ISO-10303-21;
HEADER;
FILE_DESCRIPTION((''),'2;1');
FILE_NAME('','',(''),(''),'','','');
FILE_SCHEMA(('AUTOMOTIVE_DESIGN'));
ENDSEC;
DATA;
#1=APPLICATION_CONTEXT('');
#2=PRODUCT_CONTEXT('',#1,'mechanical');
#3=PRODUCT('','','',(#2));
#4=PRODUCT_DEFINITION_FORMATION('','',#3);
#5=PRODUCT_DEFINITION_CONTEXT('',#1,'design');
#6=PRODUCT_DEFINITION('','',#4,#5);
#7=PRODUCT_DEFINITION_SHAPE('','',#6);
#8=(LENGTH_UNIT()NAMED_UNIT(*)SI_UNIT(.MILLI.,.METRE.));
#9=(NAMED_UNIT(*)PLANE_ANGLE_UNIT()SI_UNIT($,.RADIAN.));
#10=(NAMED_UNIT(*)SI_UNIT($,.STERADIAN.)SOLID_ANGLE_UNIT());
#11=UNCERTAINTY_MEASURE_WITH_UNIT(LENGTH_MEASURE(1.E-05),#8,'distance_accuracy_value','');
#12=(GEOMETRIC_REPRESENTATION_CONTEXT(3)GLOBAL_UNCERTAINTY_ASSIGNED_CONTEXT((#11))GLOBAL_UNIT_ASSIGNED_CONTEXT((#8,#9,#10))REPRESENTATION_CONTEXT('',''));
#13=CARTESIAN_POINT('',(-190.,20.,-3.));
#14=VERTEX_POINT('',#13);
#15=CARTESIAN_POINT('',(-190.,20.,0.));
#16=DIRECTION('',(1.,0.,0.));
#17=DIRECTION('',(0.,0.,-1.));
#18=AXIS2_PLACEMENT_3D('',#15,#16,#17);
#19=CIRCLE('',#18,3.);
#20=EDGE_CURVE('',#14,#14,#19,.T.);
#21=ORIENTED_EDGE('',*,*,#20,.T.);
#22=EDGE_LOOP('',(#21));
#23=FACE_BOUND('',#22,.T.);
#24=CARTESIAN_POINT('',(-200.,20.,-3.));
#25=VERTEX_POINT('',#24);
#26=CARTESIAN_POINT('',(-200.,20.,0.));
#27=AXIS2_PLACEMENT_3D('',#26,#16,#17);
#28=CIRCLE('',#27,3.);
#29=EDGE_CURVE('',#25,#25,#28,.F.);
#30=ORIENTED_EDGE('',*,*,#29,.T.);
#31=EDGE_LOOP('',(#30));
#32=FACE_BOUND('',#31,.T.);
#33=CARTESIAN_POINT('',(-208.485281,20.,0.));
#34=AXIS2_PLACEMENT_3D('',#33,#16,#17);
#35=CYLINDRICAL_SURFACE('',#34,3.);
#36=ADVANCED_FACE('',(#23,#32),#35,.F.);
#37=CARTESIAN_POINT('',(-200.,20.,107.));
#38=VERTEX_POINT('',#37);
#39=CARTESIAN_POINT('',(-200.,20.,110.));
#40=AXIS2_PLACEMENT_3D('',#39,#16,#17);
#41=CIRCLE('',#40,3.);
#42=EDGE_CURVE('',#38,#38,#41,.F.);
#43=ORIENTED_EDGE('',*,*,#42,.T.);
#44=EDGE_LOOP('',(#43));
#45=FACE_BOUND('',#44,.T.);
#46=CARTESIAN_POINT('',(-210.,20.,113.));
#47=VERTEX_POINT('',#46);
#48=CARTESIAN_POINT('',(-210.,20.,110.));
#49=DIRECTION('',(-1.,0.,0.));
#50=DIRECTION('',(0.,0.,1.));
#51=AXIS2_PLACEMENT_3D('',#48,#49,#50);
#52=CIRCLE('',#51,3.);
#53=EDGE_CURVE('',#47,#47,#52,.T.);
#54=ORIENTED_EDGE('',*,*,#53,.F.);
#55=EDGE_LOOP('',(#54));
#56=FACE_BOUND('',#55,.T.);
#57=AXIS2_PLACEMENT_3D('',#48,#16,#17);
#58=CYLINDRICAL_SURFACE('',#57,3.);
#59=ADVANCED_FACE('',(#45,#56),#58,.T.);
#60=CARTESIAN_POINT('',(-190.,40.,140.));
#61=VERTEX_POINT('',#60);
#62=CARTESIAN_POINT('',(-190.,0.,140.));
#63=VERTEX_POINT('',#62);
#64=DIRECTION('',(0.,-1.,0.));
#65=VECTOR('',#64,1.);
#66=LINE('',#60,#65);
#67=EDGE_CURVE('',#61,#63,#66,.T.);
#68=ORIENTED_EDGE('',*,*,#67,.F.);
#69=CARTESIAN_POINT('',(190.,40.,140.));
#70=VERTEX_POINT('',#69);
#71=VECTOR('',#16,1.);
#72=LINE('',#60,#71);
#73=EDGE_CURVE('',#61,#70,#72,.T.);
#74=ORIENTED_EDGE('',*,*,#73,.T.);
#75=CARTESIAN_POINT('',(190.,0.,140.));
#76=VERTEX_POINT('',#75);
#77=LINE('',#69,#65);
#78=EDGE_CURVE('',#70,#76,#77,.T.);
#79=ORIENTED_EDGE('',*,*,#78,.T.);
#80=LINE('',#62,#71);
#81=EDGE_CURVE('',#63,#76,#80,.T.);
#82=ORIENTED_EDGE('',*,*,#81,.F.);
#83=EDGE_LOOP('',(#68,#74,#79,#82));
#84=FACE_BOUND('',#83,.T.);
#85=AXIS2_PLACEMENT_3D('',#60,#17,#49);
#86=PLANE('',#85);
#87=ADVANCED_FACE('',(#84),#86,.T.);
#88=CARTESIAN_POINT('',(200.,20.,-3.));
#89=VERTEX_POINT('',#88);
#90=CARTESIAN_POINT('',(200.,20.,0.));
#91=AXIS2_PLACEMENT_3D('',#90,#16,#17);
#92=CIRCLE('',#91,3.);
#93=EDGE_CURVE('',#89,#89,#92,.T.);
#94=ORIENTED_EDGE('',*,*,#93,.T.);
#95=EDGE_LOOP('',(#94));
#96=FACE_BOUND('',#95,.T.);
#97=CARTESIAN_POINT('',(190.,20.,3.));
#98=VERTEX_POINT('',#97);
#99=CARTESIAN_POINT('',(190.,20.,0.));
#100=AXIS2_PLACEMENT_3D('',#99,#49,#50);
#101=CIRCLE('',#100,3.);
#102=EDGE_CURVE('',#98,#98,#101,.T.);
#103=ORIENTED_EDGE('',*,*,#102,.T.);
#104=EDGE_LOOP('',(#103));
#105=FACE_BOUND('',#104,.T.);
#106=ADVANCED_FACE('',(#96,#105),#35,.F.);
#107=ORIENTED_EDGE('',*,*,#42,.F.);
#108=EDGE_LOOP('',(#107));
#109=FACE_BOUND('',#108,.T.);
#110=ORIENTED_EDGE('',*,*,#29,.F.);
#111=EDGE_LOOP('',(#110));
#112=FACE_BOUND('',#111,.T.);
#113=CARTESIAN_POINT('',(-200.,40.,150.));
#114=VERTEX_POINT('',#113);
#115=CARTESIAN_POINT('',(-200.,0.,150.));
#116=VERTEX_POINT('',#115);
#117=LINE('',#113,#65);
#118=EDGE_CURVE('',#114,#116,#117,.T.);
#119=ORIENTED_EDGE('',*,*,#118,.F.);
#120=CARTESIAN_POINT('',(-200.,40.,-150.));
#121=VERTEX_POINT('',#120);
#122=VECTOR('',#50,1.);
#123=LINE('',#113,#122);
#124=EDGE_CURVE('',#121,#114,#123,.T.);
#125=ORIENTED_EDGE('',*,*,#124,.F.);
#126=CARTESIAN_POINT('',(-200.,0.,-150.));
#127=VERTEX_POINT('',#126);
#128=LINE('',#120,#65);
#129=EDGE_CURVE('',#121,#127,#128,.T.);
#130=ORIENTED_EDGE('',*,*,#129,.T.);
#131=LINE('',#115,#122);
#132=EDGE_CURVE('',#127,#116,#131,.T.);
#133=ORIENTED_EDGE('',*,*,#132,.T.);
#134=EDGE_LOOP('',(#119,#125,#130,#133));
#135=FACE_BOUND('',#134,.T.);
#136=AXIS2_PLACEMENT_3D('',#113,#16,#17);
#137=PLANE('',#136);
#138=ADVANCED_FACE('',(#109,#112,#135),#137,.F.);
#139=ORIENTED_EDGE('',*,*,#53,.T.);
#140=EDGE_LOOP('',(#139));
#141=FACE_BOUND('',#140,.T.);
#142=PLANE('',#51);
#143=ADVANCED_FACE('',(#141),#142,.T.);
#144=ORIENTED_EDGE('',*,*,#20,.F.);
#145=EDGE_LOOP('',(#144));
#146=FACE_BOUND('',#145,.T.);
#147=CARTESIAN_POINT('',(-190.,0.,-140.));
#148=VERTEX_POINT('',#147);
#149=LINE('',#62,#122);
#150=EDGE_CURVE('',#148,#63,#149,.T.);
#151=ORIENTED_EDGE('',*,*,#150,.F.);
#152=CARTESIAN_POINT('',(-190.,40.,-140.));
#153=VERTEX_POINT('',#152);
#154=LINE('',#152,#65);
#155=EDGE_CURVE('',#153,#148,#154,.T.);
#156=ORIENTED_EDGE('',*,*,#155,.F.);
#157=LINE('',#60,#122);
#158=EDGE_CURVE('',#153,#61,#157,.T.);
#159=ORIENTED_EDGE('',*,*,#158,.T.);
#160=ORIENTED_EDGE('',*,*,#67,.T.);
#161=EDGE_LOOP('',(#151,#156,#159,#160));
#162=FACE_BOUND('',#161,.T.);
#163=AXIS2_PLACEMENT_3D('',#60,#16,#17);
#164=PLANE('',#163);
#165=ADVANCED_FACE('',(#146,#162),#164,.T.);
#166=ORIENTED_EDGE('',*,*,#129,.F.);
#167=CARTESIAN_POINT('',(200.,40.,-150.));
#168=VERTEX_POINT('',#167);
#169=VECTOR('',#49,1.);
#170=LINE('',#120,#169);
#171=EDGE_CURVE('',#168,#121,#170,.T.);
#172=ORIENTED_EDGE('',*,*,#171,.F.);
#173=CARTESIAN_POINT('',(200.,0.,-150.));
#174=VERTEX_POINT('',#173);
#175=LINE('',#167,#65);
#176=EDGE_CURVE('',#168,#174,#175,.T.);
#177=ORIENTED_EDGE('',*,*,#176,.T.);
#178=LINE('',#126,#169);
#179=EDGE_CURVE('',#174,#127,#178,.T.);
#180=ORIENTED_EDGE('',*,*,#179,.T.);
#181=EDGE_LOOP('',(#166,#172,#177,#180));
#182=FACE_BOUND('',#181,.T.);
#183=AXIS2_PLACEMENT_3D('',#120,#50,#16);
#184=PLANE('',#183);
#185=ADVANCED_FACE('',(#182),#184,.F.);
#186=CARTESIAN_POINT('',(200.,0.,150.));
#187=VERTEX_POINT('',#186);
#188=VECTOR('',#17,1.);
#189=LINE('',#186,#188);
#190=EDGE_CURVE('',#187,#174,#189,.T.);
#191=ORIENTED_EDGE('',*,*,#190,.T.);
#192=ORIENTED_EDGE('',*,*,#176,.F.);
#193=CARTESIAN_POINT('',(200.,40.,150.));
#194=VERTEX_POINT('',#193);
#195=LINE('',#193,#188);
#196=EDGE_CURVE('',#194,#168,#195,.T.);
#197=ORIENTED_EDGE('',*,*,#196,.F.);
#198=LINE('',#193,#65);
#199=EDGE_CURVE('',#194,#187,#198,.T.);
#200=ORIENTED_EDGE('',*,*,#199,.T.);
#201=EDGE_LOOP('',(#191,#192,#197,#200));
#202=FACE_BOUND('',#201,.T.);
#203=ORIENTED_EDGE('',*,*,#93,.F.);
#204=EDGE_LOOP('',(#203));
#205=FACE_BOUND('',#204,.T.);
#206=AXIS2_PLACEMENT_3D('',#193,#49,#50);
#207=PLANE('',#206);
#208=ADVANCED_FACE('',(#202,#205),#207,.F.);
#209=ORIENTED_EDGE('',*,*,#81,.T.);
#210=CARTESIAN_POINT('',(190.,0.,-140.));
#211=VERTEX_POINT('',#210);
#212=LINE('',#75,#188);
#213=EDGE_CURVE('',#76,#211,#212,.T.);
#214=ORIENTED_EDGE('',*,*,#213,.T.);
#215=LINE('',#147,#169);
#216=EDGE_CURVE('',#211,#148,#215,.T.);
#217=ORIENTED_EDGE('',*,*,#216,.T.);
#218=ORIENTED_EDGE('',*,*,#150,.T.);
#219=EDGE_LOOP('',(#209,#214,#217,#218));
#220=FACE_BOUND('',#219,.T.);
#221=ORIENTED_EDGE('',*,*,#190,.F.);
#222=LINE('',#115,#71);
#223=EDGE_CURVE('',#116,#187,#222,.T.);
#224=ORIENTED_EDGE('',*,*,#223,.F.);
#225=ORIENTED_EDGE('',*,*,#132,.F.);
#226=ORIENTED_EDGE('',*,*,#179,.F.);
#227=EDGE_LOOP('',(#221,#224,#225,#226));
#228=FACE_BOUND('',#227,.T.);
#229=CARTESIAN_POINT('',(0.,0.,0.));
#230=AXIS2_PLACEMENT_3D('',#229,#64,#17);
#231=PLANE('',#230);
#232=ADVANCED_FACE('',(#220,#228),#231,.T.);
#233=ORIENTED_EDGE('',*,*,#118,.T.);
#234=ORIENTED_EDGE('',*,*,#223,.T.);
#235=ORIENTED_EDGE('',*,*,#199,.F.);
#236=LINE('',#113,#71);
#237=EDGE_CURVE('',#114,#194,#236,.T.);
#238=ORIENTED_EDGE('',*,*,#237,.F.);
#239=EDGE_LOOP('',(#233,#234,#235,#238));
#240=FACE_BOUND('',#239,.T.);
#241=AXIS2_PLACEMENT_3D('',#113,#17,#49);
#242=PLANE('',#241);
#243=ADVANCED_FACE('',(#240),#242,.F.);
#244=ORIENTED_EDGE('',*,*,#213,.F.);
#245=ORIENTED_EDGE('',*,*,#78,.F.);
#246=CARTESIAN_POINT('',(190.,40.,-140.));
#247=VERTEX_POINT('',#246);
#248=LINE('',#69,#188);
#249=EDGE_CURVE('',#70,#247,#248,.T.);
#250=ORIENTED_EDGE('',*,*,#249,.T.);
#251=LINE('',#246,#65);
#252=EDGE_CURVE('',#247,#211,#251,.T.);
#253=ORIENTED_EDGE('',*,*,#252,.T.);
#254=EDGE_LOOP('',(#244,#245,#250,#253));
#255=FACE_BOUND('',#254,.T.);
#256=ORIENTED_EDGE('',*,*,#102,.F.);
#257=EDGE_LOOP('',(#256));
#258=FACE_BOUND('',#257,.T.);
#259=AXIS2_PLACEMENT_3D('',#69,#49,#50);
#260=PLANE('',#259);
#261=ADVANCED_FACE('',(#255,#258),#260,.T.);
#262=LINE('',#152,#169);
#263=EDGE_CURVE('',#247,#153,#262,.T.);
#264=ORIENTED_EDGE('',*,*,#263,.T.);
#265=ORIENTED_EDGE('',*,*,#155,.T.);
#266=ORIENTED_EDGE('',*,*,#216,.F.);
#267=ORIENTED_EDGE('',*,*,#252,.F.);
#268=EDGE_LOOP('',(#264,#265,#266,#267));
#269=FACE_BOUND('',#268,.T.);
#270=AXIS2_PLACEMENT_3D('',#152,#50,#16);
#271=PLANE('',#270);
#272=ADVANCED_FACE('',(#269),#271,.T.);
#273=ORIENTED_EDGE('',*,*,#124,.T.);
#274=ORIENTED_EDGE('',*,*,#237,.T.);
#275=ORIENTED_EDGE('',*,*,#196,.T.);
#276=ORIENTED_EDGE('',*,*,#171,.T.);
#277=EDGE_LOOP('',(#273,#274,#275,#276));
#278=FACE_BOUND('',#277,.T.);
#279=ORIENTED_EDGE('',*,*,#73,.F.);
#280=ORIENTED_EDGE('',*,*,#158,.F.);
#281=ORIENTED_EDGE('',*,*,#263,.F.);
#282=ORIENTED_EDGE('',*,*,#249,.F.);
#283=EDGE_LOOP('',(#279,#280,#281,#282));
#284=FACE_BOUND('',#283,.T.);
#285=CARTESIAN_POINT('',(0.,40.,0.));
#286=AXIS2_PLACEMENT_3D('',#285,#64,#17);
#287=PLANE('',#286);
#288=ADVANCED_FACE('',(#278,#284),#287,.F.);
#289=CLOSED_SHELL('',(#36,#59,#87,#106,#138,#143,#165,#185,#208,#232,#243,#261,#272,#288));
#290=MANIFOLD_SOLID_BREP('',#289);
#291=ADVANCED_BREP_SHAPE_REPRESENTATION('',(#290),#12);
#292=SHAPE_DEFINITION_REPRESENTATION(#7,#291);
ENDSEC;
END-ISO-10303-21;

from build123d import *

# Parameters (mm, degrees)
SKETCH1_W           = 400
SKETCH1_H           = 300
SKETCH1_W_2         = 380
SKETCH1_H_2         = 280
BOSS_EXTRUDE1_DEPTH = 40
SKETCH4_R           = 3
BOSS_EXTRUDE4_DEPTH = 10
SKETCH2_R           = 3
CUT_EXTRUDE1_DEPTH  = 400


with BuildPart() as part:
    # Sketch1 → Boss-Extrude1 (new body)
    with BuildSketch(Plane(origin=(0, 0, 0), x_dir=(1, 0, 0), z_dir=(0, 1, 0))):
        Rectangle(SKETCH1_W, SKETCH1_H)
        Rectangle(SKETCH1_W_2, SKETCH1_H_2, mode=Mode.SUBTRACT)
    extrude(amount=BOSS_EXTRUDE1_DEPTH)

    # Sketch4 → Boss-Extrude4 (add)
    with BuildSketch(Plane.ZY.offset(200)):
        with Locations((110, 20)):
            Circle(SKETCH4_R)
    extrude(amount=BOSS_EXTRUDE4_DEPTH)

    # Sketch2 → Cut-Extrude1 (cut)
    with BuildSketch(Plane(origin=(200, 0, 0), x_dir=(0, 0, -1), z_dir=(1, 0, 0))):
        with Locations((0, 20)):
            Circle(SKETCH2_R)
    extrude(amount=-CUT_EXTRUDE1_DEPTH, mode=Mode.SUBTRACT)


solid = part.part
